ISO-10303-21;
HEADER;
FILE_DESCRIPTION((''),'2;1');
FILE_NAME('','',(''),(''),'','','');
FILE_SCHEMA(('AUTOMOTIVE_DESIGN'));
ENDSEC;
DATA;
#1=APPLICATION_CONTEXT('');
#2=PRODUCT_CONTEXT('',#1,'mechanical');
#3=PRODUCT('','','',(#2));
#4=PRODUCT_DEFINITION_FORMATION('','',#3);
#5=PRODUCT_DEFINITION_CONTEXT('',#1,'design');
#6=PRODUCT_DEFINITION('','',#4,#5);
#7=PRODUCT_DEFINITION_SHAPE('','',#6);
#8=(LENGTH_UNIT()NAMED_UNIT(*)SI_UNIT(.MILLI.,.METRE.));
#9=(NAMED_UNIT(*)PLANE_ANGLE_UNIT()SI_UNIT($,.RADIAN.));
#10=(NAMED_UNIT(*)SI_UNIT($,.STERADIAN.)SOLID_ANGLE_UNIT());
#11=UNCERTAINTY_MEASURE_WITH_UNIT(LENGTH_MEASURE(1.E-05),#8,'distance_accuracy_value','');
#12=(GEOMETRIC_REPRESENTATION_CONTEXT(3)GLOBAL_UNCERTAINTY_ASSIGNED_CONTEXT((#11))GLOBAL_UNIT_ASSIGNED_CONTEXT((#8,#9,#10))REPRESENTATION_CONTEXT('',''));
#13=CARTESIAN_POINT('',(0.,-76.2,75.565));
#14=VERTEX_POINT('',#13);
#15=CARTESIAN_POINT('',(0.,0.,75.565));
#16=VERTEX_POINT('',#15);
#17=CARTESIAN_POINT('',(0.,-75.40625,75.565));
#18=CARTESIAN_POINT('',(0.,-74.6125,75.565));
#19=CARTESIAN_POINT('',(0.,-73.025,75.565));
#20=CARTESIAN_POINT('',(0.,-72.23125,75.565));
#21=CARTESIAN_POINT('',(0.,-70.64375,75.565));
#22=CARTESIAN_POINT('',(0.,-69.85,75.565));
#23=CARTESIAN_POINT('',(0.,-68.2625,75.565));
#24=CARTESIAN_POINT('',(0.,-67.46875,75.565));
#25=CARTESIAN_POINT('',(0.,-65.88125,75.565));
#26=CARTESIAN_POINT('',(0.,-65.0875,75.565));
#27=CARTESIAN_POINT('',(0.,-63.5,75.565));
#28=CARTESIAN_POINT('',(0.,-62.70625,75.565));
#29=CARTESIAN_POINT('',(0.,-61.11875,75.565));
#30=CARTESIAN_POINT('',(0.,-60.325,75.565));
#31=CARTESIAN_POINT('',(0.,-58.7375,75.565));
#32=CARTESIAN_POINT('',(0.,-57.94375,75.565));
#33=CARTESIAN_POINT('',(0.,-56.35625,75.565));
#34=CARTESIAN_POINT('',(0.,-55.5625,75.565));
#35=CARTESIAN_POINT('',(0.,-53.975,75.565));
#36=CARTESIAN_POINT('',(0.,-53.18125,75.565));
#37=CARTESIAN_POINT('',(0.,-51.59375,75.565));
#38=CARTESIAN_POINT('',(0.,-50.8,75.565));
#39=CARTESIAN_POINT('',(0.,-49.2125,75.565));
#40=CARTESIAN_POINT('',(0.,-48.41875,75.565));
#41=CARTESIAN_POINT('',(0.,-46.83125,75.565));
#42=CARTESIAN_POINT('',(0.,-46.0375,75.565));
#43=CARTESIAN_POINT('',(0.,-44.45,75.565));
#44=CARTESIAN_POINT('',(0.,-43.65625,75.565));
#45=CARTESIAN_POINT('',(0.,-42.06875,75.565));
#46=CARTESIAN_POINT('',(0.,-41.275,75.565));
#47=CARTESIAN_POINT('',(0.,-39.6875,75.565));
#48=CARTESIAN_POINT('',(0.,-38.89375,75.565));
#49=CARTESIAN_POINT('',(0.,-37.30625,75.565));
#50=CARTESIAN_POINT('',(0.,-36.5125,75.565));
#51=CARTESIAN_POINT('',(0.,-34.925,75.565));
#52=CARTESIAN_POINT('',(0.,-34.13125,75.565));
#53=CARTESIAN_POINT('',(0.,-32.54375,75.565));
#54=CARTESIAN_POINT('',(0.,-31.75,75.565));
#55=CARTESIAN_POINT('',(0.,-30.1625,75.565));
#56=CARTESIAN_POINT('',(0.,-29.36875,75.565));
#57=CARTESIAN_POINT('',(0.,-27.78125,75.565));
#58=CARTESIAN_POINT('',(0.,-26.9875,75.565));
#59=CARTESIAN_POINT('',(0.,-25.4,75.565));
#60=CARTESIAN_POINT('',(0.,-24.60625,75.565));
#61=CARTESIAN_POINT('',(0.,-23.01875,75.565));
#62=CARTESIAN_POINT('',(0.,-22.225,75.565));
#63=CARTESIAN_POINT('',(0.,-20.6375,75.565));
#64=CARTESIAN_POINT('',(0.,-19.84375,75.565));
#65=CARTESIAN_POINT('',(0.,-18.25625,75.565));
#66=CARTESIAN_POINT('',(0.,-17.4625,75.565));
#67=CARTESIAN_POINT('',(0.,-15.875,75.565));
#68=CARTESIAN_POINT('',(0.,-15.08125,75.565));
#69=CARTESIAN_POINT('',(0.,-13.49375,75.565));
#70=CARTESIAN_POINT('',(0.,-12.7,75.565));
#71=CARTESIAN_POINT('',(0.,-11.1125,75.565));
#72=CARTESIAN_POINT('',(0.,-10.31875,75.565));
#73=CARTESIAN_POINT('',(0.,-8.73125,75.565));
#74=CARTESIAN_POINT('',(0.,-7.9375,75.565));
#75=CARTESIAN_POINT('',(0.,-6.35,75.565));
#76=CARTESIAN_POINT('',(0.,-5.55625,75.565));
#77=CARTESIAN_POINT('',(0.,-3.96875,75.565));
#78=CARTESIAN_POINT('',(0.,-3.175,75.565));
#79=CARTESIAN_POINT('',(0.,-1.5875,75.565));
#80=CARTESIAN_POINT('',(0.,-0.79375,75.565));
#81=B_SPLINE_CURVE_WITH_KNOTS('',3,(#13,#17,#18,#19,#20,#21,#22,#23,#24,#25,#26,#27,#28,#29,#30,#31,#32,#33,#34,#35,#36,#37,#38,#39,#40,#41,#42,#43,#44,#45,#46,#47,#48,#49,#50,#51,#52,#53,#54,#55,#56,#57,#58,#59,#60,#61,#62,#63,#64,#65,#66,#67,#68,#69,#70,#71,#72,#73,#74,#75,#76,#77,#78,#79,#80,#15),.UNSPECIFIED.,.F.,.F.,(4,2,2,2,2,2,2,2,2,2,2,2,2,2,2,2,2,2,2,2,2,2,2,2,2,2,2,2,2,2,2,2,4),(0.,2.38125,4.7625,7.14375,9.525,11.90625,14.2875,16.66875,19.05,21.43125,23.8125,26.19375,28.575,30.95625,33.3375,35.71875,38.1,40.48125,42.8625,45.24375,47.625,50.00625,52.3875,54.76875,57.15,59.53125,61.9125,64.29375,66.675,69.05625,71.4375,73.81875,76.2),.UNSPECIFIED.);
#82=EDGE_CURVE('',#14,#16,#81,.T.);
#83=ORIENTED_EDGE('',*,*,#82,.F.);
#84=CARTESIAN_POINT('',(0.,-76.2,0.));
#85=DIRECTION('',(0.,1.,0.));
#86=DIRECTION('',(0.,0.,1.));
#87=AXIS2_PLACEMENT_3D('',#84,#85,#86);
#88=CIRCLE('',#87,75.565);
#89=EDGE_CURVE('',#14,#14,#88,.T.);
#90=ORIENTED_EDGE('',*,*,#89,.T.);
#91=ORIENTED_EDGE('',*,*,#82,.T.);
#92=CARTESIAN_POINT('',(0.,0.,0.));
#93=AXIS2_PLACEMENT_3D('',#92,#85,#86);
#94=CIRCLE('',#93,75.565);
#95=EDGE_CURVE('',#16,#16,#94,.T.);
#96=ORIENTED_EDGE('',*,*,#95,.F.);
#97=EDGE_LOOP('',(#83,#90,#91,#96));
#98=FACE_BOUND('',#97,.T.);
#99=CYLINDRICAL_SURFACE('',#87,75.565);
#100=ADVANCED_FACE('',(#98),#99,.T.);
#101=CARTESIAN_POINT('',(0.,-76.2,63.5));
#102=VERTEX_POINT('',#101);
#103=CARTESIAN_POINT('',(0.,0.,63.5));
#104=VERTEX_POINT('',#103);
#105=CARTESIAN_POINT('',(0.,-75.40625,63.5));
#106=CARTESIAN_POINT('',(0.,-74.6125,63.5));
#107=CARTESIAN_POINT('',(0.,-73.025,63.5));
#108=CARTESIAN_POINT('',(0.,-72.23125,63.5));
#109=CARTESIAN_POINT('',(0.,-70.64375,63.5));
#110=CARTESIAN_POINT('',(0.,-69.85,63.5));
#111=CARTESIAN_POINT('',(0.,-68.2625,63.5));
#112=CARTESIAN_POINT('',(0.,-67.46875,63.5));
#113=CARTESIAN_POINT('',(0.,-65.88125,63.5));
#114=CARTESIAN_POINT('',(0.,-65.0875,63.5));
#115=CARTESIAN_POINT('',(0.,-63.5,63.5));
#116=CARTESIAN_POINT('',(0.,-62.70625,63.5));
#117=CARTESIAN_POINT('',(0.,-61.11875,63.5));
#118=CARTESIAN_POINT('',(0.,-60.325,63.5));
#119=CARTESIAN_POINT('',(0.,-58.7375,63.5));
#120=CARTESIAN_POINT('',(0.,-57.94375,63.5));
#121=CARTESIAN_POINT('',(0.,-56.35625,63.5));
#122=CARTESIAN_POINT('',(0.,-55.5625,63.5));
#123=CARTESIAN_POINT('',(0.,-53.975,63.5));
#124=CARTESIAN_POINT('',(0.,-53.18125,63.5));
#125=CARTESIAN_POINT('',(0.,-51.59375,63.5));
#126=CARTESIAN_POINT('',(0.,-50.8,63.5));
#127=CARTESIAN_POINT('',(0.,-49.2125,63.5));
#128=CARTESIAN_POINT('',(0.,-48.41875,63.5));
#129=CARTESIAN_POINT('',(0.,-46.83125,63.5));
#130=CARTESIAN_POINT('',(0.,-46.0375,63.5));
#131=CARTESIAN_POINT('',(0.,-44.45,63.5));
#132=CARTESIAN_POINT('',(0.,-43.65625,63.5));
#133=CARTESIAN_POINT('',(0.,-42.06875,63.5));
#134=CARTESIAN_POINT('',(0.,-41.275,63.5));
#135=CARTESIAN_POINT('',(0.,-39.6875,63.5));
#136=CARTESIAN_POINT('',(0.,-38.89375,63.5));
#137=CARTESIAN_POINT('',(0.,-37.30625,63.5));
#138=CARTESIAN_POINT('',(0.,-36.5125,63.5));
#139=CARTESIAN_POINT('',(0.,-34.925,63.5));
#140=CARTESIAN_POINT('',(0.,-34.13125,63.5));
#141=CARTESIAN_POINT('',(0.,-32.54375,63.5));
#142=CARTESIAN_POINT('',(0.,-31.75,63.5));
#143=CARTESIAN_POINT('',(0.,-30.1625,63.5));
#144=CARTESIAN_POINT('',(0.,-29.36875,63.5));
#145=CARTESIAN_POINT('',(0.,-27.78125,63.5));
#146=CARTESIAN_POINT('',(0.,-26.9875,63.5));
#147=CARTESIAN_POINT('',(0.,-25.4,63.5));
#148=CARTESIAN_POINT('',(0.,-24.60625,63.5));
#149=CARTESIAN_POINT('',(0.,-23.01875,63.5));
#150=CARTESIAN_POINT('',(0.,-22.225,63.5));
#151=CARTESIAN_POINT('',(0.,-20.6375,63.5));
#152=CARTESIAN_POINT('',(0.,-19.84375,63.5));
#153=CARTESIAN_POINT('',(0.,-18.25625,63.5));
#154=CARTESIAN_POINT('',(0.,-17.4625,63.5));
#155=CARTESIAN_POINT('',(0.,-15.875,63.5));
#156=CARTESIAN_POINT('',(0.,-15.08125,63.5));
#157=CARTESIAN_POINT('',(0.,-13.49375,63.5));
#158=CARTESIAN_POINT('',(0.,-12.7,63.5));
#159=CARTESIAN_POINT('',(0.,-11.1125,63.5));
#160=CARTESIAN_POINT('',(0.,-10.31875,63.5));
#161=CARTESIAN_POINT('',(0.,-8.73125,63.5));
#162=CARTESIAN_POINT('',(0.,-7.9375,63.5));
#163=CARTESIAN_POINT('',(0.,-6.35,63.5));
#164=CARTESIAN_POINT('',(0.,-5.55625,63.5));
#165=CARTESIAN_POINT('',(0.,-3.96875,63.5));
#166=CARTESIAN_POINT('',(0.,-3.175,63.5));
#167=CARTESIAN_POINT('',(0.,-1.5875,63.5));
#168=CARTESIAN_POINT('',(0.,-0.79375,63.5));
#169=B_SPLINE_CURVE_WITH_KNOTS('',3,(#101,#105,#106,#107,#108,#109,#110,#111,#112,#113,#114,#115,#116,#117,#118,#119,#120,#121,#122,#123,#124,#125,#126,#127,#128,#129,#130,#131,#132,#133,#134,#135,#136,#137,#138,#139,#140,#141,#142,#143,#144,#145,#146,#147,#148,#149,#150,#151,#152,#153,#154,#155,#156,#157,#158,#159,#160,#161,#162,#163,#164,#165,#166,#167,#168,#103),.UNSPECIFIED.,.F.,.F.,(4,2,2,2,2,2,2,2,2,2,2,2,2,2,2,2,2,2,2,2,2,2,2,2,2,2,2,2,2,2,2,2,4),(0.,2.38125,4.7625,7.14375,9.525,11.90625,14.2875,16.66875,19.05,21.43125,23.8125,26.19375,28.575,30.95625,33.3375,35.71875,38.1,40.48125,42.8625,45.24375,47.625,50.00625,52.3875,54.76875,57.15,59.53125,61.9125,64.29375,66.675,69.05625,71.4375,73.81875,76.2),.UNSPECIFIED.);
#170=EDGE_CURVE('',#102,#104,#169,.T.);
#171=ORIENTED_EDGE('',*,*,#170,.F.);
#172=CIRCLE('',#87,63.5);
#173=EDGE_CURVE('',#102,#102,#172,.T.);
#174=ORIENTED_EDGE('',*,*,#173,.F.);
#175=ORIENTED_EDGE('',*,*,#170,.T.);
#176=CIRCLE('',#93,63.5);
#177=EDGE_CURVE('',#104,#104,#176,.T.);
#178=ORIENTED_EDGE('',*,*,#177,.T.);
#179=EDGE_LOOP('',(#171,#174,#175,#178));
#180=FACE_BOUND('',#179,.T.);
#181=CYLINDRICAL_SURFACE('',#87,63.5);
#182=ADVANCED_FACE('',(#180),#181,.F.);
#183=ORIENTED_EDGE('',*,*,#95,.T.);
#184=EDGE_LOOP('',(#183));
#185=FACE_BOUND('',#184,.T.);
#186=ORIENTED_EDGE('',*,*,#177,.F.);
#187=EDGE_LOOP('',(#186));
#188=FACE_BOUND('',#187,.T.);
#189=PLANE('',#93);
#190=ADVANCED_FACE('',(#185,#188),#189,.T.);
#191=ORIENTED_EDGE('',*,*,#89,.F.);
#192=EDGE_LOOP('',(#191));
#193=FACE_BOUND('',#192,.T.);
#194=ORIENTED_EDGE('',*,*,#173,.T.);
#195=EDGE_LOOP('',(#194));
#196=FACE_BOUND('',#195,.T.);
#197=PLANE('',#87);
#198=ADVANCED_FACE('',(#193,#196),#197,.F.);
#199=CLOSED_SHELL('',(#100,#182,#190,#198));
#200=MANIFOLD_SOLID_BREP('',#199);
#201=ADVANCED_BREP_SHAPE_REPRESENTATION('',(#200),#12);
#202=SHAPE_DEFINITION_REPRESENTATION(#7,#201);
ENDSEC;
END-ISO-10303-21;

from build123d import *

# Parameters (mm, degrees)
SKETCH1_R           = 75.565
SKETCH1_R_2         = 63.5
BOSS_EXTRUDE1_DEPTH = 76.2


with BuildPart() as part:
    # Sketch1 → Boss-Extrude1 (new body)
    with BuildSketch(Plane(origin=(0, 0, 0), x_dir=(1, 0, 0), z_dir=(0, 1, 0))):
        with Locations(Location((0, 0, 0), (0, 0, 270))):
            Circle(SKETCH1_R)
        with Locations(Location((0, 0, 0), (0, 0, 270))):
            Circle(SKETCH1_R_2, mode=Mode.SUBTRACT)
    extrude(amount=-BOSS_EXTRUDE1_DEPTH)


solid = part.part
